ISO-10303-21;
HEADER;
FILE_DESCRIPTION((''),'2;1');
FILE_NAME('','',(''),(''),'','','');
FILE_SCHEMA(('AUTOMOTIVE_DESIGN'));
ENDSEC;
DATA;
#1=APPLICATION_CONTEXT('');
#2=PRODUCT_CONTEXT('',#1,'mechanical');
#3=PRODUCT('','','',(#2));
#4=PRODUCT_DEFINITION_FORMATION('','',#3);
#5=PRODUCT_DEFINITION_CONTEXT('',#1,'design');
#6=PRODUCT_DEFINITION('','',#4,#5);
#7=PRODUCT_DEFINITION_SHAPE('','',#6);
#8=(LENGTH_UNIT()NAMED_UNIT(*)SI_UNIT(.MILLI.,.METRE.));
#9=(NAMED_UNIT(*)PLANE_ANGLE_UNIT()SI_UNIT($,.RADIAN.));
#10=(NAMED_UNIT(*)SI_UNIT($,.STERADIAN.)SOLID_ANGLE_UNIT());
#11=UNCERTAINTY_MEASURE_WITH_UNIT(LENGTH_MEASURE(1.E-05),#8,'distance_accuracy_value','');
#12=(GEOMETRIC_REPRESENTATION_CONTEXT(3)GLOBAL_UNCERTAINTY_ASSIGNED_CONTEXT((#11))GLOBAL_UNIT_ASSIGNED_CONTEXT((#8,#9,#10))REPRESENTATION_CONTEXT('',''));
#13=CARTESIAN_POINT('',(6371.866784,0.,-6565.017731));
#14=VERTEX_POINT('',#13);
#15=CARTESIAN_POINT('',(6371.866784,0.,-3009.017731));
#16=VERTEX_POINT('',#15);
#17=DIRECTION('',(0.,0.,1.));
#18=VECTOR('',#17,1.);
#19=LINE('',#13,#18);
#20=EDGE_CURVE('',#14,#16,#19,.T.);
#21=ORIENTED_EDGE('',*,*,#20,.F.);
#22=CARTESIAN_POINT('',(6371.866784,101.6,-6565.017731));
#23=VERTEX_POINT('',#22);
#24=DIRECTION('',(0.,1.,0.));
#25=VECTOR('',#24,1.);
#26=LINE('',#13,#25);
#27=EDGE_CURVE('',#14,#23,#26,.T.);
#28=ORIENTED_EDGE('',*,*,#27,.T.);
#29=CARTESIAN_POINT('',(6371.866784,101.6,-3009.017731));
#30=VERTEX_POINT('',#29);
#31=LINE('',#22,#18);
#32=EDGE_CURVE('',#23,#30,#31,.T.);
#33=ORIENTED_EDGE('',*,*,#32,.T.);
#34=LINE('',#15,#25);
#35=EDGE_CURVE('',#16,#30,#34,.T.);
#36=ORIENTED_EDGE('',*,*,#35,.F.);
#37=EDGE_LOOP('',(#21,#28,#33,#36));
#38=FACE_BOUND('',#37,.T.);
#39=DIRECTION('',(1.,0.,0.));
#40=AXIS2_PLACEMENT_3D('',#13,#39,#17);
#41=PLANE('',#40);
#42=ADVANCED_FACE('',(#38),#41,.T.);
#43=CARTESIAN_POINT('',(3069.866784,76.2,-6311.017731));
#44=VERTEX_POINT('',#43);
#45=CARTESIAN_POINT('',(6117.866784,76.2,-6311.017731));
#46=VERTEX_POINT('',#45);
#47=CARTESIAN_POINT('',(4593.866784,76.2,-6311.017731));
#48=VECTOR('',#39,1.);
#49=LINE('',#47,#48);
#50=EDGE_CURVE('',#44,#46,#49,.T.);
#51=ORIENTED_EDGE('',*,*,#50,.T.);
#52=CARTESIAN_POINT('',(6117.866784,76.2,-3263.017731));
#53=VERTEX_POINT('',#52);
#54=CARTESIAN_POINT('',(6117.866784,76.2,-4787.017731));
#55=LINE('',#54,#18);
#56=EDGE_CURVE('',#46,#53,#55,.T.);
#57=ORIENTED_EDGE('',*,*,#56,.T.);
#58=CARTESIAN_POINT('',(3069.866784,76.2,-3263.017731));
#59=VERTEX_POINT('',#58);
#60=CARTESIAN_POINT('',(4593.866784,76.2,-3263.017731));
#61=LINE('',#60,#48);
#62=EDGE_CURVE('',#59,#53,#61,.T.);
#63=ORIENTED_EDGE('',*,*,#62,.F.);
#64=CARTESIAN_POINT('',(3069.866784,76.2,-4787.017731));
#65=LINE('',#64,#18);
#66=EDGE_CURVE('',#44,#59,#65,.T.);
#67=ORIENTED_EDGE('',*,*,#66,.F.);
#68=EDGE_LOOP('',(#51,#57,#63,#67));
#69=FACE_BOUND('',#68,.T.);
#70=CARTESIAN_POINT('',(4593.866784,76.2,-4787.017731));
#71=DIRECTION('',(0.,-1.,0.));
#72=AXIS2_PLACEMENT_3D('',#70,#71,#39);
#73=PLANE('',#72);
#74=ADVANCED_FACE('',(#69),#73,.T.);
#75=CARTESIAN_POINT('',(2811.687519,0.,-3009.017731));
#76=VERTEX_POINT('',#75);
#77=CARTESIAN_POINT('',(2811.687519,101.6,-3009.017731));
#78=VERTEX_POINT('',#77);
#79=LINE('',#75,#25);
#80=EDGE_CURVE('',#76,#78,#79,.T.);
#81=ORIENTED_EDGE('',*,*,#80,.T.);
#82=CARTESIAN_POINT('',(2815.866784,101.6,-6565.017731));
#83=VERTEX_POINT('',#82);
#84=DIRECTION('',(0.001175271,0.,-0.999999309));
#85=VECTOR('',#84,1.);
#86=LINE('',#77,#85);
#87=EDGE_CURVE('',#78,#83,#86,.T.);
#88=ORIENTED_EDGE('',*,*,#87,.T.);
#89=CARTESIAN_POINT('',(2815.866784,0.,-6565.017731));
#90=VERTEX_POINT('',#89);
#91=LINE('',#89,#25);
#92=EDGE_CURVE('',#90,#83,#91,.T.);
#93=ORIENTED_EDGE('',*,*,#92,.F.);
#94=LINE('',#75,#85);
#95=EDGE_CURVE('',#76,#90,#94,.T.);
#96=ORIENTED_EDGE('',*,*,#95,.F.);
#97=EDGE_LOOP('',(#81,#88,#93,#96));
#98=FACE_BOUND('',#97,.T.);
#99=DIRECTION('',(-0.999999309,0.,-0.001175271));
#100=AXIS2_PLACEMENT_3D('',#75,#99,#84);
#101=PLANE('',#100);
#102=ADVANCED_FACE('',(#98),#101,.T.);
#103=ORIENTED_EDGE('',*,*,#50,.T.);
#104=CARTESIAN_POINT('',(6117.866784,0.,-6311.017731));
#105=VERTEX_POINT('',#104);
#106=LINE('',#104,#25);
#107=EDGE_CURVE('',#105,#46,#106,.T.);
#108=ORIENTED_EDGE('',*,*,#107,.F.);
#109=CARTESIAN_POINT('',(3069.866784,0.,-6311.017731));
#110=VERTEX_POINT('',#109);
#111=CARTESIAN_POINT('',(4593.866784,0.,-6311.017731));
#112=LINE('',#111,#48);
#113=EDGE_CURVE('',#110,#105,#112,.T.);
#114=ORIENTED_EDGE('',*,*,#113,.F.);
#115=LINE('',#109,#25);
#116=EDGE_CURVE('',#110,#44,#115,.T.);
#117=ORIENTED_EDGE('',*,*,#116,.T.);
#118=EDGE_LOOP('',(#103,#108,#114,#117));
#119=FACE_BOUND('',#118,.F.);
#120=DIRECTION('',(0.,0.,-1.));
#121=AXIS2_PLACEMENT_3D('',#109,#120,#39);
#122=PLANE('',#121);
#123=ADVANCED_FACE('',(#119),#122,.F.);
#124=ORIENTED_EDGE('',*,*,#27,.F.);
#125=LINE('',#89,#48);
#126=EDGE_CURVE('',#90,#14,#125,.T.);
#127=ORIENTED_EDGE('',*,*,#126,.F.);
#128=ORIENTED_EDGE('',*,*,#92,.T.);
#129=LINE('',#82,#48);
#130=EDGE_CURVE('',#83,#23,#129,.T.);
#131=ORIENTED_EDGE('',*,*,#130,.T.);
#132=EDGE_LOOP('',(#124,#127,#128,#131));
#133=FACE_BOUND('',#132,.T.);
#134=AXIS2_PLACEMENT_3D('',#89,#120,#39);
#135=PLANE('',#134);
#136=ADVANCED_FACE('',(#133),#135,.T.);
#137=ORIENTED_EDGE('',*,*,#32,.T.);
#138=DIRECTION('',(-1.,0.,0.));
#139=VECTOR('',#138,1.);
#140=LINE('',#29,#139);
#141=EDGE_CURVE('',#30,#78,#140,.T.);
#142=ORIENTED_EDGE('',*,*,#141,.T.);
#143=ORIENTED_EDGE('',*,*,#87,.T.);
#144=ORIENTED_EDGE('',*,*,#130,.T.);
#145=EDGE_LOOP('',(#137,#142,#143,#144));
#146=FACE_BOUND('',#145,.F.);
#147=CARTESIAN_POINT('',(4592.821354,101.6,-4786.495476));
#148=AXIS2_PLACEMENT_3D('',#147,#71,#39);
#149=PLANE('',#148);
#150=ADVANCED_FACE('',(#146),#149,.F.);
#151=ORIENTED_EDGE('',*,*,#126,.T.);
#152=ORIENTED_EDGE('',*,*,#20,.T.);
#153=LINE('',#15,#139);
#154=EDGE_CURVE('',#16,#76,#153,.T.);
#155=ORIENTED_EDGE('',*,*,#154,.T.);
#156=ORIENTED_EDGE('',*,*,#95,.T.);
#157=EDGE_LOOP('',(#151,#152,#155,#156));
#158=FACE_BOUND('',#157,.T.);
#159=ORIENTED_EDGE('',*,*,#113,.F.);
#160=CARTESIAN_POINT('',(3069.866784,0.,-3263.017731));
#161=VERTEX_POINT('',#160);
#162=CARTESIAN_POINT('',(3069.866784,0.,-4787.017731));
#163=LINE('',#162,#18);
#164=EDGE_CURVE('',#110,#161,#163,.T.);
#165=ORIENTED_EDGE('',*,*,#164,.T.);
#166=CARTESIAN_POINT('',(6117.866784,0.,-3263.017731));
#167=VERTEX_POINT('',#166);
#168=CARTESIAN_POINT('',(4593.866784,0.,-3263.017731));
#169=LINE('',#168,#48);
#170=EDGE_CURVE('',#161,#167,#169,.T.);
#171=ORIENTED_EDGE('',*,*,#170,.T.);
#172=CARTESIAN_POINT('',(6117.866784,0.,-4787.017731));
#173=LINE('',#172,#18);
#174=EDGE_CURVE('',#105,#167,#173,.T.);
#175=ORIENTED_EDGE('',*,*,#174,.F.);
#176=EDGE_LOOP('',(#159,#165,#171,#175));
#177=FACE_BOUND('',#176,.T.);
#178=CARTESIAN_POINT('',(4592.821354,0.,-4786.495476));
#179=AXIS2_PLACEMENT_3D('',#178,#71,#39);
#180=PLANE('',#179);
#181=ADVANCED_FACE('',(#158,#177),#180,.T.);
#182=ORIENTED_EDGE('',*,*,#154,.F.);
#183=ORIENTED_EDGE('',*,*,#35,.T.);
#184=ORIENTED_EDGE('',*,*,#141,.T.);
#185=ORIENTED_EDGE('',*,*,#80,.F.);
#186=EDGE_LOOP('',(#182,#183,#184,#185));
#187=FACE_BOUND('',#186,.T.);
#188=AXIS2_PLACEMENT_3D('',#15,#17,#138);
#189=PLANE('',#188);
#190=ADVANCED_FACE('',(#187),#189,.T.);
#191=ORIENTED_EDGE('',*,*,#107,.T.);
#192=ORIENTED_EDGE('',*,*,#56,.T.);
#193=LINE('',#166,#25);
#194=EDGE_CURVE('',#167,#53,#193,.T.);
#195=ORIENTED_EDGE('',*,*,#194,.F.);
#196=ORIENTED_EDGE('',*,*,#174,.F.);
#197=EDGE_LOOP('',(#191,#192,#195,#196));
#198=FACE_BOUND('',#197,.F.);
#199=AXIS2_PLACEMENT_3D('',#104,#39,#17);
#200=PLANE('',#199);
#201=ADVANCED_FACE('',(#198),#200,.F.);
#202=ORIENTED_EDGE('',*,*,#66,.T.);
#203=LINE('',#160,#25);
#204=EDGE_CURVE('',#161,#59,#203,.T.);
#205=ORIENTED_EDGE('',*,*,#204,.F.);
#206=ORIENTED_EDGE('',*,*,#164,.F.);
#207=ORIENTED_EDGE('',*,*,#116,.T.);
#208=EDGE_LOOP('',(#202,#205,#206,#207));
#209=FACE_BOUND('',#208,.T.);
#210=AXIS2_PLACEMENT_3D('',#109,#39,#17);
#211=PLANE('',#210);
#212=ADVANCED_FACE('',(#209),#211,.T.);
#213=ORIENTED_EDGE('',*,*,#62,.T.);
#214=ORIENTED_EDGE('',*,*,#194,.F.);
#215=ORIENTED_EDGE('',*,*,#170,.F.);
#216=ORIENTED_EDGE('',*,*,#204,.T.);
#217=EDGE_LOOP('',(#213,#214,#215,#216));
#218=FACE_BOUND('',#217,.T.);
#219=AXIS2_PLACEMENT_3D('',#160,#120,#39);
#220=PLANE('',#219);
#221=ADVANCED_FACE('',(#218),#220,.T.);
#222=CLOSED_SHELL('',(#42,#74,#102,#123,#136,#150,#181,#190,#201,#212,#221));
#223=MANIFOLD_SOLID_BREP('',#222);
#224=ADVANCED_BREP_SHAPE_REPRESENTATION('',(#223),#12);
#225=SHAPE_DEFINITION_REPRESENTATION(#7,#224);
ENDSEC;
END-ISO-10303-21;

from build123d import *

# Parameters (mm, degrees)
F0_W     = 3048
F0_H     = 3048
F1_DEPTH = 101.6
F2_DEPTH = 76.2


with BuildPart() as f1:
    # F0 (on Front) → F1 (new body)
    with BuildSketch(Plane.XZ):
        Polygon((2811.687519, -3009.017731), (2815.866784, -6565.017731), (6371.866784, -6565.017731), (6371.866784, -3009.017731), (6367.687519, -3009.017731), align=None)
        with Locations((4593.866784, -4787.017731)):
            Rectangle(F0_W, F0_H, mode=Mode.SUBTRACT)
        with Locations((4593.866784, -4787.017731)):
            Rectangle(F0_W, F0_H)
    extrude(amount=-F1_DEPTH)

    # F0 (on Front) → F2 (cut)
    with BuildSketch(Plane.XZ):
        with Locations((4593.866784, -4787.017731)):
            Rectangle(F0_W, F0_H)
    extrude(amount=-F2_DEPTH, mode=Mode.SUBTRACT)


solid = f1.part
